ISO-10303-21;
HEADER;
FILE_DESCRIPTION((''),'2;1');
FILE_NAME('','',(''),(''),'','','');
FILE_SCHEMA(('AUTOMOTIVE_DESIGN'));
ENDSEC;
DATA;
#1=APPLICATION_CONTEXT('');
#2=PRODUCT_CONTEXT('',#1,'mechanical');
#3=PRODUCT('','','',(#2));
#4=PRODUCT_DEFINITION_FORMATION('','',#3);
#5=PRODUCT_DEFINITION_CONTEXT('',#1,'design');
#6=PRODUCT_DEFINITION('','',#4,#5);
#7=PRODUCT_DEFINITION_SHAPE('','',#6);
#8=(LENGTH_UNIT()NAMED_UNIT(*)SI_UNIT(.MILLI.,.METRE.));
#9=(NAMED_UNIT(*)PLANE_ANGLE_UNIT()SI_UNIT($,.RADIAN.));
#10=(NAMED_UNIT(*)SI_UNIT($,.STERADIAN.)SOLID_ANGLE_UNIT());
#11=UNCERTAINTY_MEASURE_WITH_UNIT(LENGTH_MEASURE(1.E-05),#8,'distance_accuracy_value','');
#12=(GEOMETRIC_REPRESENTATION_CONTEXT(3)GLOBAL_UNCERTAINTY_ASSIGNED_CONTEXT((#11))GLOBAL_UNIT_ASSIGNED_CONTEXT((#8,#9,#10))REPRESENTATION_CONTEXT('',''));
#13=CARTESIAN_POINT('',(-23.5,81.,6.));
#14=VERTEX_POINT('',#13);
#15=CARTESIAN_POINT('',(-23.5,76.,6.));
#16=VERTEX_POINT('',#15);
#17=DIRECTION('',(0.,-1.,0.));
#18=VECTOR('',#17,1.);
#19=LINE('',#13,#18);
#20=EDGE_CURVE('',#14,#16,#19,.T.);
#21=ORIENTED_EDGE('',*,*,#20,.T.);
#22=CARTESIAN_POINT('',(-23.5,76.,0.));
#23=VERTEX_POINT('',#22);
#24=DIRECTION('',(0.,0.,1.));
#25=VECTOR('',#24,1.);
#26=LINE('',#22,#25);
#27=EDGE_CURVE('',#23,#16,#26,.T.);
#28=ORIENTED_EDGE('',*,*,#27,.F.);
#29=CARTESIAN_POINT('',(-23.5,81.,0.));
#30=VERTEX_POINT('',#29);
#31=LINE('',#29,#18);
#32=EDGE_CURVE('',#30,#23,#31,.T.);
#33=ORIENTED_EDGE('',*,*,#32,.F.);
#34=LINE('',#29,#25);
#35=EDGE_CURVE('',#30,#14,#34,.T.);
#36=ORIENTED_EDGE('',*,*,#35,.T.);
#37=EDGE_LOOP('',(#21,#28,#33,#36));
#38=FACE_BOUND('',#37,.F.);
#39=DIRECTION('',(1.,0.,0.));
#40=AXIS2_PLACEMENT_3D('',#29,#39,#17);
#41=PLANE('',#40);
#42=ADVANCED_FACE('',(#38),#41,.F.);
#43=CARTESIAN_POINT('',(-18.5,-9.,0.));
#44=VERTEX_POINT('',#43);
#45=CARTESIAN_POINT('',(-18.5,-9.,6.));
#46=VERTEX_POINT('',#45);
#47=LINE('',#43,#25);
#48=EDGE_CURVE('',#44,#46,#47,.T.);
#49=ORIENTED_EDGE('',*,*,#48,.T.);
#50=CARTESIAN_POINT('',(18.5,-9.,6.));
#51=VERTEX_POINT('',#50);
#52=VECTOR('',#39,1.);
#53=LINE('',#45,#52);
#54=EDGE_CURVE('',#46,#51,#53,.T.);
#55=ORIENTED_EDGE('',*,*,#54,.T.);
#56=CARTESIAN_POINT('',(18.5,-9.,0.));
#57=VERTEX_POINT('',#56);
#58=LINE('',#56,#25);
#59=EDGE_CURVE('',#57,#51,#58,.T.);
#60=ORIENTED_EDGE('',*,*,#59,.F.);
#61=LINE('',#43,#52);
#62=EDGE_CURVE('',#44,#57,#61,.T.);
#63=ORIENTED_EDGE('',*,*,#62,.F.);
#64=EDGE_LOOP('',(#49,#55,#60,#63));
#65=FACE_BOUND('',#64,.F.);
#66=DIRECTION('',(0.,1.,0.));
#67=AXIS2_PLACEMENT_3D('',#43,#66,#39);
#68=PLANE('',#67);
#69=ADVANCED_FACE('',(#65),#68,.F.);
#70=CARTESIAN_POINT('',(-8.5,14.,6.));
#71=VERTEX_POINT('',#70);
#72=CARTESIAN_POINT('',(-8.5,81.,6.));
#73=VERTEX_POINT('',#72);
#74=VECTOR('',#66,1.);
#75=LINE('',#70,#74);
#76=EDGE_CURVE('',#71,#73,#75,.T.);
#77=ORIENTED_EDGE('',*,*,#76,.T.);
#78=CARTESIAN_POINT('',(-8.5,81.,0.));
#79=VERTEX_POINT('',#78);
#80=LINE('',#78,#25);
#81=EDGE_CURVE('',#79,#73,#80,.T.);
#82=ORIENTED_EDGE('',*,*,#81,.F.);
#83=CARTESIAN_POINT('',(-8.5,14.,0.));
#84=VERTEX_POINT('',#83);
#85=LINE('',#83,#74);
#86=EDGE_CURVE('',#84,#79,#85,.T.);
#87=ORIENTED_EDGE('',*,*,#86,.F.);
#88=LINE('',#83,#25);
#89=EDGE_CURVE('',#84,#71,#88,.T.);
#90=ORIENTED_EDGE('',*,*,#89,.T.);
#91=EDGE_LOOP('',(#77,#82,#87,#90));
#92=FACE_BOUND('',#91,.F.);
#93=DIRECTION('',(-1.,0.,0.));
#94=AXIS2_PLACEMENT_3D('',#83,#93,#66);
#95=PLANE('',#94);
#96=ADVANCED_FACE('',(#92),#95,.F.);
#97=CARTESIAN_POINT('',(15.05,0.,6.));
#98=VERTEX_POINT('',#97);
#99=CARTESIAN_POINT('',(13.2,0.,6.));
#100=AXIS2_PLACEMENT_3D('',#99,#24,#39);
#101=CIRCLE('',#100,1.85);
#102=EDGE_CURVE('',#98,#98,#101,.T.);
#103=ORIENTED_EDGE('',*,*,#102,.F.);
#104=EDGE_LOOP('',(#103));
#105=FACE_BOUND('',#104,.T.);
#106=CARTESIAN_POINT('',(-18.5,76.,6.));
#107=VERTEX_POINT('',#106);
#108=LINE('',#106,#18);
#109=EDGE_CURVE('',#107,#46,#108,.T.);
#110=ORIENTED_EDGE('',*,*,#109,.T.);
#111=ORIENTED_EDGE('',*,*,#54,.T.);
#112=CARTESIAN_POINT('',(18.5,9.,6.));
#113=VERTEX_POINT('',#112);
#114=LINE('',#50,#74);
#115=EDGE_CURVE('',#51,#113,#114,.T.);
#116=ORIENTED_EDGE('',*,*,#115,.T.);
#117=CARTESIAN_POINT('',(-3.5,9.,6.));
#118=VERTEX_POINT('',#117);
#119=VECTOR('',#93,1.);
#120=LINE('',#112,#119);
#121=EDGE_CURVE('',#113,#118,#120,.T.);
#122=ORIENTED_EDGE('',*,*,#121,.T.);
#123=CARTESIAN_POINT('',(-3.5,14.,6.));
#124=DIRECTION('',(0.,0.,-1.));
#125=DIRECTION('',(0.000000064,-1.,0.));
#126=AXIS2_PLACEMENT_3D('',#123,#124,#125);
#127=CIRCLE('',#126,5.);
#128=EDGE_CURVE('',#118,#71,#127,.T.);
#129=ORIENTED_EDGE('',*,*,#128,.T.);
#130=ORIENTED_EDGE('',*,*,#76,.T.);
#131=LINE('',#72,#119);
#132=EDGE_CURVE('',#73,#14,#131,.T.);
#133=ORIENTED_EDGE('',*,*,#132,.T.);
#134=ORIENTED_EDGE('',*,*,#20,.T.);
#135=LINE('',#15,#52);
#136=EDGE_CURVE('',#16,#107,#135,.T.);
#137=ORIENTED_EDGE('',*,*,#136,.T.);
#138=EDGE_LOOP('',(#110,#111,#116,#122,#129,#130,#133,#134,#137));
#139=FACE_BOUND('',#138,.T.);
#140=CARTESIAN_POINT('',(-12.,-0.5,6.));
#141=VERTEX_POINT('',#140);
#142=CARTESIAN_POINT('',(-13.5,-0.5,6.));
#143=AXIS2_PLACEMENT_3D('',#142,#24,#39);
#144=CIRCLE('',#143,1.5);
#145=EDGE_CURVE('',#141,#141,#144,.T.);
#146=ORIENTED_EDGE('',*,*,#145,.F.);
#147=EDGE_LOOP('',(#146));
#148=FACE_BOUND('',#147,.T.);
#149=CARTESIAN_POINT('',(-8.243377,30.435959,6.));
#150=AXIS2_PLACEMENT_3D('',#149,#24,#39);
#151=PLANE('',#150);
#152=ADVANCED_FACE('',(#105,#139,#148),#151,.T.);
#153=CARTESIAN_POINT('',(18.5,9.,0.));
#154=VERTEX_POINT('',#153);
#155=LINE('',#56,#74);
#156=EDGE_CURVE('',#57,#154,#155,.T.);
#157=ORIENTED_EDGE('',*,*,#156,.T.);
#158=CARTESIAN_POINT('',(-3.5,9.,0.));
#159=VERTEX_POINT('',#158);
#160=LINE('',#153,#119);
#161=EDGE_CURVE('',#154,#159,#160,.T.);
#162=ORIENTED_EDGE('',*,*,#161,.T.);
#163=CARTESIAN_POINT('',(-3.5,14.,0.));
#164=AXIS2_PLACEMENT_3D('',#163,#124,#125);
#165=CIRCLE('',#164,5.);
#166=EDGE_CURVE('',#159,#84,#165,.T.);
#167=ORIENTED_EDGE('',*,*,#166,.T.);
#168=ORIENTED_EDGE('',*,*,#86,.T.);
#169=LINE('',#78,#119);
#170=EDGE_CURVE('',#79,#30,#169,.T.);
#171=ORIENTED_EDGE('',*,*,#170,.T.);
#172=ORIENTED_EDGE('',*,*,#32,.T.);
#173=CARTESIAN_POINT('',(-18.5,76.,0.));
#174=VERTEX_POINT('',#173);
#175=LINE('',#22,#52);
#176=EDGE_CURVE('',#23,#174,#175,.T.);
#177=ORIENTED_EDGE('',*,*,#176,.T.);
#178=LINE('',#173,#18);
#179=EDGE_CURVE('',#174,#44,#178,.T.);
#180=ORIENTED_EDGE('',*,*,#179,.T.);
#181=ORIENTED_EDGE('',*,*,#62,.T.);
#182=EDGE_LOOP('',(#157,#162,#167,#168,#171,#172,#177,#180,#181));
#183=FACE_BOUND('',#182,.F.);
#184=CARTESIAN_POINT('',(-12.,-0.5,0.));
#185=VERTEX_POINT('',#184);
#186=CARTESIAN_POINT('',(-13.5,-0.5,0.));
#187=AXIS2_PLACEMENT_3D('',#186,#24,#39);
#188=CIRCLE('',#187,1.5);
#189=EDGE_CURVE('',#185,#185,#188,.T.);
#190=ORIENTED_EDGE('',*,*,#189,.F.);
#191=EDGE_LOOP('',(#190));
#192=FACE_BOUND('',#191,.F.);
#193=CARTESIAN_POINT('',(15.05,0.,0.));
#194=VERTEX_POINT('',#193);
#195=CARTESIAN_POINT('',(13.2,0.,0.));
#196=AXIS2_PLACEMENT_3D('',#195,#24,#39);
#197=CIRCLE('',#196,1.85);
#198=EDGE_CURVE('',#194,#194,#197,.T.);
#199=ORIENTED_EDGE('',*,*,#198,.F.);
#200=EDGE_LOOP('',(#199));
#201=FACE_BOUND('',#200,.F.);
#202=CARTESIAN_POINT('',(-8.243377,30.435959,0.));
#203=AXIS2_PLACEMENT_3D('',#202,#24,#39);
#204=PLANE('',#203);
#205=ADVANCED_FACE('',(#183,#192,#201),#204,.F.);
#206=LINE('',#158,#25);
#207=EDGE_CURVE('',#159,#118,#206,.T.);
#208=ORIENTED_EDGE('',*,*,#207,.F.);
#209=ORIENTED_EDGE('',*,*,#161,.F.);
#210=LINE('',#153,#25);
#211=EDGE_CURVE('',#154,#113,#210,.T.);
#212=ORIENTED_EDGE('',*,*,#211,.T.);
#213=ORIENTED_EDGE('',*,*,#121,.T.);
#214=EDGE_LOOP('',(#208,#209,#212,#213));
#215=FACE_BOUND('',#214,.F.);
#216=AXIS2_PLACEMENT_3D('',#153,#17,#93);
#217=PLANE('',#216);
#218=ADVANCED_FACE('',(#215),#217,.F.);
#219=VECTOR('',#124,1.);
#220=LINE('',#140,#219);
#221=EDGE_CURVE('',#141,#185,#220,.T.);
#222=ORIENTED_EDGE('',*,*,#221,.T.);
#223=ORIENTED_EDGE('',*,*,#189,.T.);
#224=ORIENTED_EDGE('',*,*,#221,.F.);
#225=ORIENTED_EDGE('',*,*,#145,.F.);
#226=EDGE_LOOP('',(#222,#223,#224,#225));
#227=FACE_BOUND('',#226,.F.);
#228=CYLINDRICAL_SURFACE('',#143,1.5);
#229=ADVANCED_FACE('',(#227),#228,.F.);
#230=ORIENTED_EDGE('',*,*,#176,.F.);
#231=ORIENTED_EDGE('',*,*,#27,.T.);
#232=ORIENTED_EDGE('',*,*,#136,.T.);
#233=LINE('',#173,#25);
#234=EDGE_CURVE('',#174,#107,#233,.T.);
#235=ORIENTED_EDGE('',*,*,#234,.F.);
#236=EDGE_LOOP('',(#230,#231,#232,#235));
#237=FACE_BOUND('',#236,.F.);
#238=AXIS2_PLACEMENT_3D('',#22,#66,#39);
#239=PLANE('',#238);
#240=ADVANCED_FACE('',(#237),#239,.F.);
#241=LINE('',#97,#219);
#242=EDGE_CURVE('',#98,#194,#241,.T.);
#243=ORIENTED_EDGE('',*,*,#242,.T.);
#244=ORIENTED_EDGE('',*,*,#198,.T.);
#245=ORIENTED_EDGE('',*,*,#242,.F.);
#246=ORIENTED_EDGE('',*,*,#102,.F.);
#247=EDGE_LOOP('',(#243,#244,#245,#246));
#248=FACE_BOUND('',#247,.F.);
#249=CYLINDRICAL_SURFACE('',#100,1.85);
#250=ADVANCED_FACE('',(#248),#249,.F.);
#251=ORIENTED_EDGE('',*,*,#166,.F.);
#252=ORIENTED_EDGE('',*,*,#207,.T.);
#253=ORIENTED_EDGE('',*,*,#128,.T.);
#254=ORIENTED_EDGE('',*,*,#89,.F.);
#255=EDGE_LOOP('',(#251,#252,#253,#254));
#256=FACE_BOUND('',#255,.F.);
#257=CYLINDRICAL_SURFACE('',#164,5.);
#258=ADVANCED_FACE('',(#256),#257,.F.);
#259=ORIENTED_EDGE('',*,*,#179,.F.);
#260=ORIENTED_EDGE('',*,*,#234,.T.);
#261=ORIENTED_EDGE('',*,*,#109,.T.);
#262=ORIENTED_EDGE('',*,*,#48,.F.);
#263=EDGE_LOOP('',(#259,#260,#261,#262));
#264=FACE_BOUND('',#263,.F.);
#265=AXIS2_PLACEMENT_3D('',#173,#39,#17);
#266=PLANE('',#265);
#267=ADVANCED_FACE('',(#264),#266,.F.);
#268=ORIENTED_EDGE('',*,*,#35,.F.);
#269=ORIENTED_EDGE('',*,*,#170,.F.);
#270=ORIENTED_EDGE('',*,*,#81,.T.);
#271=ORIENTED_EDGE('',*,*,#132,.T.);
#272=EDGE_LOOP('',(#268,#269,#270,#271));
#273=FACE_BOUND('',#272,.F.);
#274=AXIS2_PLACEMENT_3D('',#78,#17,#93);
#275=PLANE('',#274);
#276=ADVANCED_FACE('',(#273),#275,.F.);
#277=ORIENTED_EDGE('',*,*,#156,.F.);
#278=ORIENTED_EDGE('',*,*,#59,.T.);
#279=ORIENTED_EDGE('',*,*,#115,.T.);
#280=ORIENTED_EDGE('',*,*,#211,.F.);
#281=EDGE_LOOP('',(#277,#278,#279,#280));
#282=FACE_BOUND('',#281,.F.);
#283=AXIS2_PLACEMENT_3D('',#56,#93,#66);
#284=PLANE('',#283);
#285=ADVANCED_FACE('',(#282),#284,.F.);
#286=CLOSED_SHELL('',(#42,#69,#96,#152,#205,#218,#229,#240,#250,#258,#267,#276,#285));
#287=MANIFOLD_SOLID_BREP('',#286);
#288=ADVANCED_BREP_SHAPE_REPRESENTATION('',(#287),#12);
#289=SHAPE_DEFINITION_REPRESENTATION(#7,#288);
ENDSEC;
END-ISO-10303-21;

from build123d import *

# Parameters (mm, degrees)
F1_DEPTH = 6
F2_R     = 1.5
F2_R_2   = 1.85
F3_DEPTH = 25


with BuildPart() as f1:
    # F0 (on Top) → F1 (new body)
    with BuildSketch(Plane.XY):
        with BuildLine():
            Line((-18.5, -9), (18.5, -9))
            Line((18.5, -9), (18.5, 9))
            Line((18.5, 9), (1.5, 9))
            Line((1.5, 9), (-3.5, 9))
            ThreePointArc((-3.5, 9), (-7.035534, 10.464466), (-8.5, 14))
            Line((-8.5, 14), (-8.5, 81))
            Line((-8.5, 81), (-18.5, 81))
            Line((-18.5, 81), (-23.5, 81))
            Line((-23.5, 81), (-23.5, 76))
            Line((-23.5, 76), (-18.5, 76))
            Line((-18.5, 76), (-18.5, 9))
            Line((-18.5, 9), (-18.5, -9))
        make_face()
    extrude(amount=F1_DEPTH)

    # F2 (on face) → F3 (cut)
    with BuildSketch(Plane.XY.offset(6)):
        with Locations((-13.5, -0.5)):
            Circle(F2_R)
        with Locations((13.2, 0)):
            Circle(F2_R_2)
    extrude(amount=-F3_DEPTH, mode=Mode.SUBTRACT)


solid = f1.part
